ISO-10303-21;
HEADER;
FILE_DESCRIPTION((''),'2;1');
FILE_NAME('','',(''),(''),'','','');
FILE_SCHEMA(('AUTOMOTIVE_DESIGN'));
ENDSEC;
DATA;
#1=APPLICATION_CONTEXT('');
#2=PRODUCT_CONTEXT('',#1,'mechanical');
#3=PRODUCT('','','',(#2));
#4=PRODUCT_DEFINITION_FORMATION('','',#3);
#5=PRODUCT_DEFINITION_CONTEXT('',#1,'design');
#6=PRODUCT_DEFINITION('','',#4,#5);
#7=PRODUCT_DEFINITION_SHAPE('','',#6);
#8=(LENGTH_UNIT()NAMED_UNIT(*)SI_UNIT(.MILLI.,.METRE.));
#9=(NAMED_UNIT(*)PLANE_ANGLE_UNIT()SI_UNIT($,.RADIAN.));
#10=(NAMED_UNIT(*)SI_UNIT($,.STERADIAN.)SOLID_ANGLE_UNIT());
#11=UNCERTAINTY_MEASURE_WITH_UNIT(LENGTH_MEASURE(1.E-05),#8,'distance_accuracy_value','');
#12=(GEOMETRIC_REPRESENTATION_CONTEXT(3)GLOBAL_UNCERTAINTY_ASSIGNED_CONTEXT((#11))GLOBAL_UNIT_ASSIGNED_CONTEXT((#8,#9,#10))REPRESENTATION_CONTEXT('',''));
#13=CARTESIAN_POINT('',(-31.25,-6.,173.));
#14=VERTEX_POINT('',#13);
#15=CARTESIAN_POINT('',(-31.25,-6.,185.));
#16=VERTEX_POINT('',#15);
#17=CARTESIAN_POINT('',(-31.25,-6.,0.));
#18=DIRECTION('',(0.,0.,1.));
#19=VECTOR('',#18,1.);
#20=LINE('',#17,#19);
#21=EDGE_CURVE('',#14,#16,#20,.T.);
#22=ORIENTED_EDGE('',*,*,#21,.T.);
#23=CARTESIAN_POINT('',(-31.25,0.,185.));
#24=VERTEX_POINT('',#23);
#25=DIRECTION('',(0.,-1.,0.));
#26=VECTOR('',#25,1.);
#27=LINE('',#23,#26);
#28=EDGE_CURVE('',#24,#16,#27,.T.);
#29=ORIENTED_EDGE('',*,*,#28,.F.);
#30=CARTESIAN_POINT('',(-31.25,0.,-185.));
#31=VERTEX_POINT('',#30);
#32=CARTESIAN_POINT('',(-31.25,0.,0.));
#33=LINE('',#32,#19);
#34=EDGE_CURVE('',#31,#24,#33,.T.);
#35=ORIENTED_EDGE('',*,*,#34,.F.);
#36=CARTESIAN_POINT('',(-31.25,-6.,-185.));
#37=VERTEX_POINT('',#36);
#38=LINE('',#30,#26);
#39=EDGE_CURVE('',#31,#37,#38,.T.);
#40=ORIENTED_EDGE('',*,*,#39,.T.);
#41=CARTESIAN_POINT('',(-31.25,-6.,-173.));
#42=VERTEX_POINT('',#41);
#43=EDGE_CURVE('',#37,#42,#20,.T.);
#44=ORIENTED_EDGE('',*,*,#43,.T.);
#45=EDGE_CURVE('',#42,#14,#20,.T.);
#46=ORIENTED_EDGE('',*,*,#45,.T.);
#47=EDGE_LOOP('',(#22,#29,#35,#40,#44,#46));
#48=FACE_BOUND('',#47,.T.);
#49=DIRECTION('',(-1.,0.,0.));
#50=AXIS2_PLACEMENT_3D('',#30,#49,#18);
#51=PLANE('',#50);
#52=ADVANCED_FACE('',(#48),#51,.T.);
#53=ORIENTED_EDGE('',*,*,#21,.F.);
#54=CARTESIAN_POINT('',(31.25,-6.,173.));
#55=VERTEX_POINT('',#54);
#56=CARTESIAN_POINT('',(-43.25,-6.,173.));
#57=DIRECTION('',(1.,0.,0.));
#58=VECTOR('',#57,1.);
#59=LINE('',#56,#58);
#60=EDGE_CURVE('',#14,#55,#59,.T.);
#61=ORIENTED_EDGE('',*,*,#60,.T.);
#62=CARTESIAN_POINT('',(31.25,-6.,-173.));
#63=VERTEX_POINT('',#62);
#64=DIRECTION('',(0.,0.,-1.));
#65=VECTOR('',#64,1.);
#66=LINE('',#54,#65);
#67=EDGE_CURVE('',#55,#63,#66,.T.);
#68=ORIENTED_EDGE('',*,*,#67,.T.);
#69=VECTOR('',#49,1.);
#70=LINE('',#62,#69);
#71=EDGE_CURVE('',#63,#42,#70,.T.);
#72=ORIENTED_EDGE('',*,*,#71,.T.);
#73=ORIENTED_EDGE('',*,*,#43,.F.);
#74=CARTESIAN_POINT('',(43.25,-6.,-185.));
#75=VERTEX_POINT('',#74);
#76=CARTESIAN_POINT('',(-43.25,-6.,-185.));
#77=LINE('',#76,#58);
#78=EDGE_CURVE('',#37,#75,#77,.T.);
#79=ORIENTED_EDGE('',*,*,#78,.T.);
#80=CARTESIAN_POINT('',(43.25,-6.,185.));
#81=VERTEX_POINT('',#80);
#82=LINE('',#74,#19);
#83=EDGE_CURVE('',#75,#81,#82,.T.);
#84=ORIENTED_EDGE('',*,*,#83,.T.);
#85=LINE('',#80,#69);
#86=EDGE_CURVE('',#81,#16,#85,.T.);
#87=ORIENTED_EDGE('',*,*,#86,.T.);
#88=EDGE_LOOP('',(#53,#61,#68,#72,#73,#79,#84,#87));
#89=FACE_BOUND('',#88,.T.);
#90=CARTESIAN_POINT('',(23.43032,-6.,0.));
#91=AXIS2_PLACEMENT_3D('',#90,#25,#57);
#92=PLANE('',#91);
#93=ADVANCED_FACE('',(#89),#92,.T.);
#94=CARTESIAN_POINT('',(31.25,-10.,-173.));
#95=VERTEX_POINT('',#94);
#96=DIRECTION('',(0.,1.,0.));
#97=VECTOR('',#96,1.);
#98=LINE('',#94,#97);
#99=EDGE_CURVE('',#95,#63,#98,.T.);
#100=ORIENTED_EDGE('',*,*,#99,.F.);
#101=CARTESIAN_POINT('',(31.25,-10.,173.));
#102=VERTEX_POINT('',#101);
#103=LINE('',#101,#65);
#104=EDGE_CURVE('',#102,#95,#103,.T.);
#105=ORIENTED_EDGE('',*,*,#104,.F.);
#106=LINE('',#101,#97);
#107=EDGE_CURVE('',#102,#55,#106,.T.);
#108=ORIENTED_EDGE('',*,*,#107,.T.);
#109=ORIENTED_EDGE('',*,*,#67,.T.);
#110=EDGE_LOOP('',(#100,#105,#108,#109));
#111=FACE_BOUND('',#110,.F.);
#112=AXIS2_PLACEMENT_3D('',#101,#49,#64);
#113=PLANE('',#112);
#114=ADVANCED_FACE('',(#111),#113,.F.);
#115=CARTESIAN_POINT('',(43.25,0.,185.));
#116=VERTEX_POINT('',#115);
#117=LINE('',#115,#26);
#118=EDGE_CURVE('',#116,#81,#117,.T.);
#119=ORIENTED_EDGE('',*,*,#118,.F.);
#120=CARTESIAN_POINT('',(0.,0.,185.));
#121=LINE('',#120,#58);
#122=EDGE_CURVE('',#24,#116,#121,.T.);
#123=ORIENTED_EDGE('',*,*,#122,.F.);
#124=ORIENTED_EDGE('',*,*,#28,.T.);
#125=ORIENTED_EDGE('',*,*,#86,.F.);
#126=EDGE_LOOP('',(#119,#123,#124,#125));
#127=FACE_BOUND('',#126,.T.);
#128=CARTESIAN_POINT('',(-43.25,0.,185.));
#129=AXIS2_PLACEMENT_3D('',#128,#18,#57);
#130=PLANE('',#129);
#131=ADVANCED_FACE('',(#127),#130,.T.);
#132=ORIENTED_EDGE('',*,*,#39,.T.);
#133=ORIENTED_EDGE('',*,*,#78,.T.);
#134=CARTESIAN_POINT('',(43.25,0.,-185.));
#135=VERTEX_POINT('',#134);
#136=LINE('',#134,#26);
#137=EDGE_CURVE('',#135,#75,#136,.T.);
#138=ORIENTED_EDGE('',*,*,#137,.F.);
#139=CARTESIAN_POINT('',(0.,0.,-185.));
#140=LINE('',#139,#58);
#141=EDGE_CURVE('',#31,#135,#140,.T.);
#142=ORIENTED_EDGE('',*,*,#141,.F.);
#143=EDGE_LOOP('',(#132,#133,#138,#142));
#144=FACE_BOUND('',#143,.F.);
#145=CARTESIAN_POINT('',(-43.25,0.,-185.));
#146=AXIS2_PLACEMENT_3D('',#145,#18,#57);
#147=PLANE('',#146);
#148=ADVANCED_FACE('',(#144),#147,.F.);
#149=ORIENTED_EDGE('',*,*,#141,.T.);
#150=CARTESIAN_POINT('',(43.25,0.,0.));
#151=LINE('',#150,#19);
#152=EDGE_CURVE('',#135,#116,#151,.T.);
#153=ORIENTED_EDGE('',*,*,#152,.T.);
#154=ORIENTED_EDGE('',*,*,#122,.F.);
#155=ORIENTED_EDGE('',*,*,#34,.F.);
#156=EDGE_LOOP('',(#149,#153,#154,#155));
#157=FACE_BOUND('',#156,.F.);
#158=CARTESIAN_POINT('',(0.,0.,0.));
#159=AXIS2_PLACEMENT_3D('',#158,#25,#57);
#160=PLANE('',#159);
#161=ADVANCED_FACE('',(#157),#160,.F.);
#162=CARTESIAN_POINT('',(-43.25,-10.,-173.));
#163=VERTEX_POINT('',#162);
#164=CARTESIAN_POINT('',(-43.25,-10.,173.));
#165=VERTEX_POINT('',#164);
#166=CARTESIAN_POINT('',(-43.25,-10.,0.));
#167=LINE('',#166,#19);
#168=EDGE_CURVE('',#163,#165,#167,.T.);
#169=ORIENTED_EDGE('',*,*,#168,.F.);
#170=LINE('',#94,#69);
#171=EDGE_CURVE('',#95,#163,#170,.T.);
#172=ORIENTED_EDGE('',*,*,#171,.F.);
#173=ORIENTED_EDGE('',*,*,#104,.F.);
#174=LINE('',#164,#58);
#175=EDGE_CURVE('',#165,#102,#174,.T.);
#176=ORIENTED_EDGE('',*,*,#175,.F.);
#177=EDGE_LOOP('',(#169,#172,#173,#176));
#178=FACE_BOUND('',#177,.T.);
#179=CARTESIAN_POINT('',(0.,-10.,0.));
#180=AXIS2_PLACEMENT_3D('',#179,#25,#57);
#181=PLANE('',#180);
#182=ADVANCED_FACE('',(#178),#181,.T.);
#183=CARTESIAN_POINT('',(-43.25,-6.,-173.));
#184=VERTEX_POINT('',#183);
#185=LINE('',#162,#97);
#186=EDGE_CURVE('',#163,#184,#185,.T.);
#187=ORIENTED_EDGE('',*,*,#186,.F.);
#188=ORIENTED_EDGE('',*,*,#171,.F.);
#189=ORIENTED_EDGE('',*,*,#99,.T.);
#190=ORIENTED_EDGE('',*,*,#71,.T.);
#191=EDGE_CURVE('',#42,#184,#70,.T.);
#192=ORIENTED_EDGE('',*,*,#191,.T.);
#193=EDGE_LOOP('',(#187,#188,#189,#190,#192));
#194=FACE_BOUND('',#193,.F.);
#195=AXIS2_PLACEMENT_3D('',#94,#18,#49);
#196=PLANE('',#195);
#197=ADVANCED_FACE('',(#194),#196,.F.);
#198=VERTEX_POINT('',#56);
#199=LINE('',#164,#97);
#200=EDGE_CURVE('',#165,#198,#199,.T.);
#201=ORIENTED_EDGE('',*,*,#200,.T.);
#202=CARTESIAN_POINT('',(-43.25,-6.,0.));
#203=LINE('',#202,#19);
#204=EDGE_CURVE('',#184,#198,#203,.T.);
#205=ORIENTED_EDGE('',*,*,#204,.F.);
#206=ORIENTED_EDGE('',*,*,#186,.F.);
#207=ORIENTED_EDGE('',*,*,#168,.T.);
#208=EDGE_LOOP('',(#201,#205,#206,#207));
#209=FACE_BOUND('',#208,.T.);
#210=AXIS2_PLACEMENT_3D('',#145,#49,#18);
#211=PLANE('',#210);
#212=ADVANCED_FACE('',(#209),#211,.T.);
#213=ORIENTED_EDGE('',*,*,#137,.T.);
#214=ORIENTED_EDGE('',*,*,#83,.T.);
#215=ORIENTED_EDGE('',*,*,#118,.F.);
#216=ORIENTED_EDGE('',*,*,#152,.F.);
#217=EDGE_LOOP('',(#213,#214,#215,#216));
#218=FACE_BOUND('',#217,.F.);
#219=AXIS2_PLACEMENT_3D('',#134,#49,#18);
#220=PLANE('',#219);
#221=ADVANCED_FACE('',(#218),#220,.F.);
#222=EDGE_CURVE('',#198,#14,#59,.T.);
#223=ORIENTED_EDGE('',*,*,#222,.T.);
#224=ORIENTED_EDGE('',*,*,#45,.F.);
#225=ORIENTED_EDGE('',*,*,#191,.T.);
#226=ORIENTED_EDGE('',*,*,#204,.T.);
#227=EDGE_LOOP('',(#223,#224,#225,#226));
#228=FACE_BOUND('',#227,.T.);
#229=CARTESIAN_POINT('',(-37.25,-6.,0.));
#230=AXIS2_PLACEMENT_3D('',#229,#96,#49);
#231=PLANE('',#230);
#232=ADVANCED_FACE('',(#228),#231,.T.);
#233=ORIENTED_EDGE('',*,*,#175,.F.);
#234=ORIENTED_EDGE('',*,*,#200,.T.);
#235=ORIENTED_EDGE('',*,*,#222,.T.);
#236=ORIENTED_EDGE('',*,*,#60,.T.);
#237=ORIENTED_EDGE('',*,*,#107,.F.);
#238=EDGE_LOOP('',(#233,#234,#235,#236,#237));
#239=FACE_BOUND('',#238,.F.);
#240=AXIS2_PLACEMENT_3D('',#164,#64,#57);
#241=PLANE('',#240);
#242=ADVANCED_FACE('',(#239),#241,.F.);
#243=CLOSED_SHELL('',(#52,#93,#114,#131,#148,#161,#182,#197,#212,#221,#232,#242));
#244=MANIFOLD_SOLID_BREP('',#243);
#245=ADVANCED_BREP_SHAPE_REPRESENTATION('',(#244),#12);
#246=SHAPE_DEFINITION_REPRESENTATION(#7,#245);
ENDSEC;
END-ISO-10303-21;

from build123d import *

# Parameters (mm, degrees)
F0_W     = 86.5
F0_H     = 370
F1_DEPTH = 10
F3_DEPTH = 4
F4_W     = 12
F4_H     = 370
F5_DEPTH = 6


with BuildPart() as f1:
    # F0 (on Front) → F1 (new body)
    with BuildSketch(Plane.XZ):
        Rectangle(F0_W, F0_H)
    extrude(amount=F1_DEPTH)

    # F2 (on face) → F3 (cut)
    with BuildSketch(Plane.XZ.offset(10)):
        Polygon((-43.25, 185), (-43.25, 173), (31.25, 173), (31.25, -173), (-43.25, -173), (-43.25, -185), (43.25, -185), (43.25, 185), align=None)
    extrude(amount=-F3_DEPTH, mode=Mode.SUBTRACT)

    # F4 (on face) → F5 (cut)
    with BuildSketch(Plane(origin=(0, 0, 0), x_dir=(-1, 0, 0), z_dir=(0, 1, 0))):
        with Locations((37.25, 0)):
            Rectangle(F4_W, F4_H)
    extrude(amount=-F5_DEPTH, mode=Mode.SUBTRACT)


solid = f1.part
